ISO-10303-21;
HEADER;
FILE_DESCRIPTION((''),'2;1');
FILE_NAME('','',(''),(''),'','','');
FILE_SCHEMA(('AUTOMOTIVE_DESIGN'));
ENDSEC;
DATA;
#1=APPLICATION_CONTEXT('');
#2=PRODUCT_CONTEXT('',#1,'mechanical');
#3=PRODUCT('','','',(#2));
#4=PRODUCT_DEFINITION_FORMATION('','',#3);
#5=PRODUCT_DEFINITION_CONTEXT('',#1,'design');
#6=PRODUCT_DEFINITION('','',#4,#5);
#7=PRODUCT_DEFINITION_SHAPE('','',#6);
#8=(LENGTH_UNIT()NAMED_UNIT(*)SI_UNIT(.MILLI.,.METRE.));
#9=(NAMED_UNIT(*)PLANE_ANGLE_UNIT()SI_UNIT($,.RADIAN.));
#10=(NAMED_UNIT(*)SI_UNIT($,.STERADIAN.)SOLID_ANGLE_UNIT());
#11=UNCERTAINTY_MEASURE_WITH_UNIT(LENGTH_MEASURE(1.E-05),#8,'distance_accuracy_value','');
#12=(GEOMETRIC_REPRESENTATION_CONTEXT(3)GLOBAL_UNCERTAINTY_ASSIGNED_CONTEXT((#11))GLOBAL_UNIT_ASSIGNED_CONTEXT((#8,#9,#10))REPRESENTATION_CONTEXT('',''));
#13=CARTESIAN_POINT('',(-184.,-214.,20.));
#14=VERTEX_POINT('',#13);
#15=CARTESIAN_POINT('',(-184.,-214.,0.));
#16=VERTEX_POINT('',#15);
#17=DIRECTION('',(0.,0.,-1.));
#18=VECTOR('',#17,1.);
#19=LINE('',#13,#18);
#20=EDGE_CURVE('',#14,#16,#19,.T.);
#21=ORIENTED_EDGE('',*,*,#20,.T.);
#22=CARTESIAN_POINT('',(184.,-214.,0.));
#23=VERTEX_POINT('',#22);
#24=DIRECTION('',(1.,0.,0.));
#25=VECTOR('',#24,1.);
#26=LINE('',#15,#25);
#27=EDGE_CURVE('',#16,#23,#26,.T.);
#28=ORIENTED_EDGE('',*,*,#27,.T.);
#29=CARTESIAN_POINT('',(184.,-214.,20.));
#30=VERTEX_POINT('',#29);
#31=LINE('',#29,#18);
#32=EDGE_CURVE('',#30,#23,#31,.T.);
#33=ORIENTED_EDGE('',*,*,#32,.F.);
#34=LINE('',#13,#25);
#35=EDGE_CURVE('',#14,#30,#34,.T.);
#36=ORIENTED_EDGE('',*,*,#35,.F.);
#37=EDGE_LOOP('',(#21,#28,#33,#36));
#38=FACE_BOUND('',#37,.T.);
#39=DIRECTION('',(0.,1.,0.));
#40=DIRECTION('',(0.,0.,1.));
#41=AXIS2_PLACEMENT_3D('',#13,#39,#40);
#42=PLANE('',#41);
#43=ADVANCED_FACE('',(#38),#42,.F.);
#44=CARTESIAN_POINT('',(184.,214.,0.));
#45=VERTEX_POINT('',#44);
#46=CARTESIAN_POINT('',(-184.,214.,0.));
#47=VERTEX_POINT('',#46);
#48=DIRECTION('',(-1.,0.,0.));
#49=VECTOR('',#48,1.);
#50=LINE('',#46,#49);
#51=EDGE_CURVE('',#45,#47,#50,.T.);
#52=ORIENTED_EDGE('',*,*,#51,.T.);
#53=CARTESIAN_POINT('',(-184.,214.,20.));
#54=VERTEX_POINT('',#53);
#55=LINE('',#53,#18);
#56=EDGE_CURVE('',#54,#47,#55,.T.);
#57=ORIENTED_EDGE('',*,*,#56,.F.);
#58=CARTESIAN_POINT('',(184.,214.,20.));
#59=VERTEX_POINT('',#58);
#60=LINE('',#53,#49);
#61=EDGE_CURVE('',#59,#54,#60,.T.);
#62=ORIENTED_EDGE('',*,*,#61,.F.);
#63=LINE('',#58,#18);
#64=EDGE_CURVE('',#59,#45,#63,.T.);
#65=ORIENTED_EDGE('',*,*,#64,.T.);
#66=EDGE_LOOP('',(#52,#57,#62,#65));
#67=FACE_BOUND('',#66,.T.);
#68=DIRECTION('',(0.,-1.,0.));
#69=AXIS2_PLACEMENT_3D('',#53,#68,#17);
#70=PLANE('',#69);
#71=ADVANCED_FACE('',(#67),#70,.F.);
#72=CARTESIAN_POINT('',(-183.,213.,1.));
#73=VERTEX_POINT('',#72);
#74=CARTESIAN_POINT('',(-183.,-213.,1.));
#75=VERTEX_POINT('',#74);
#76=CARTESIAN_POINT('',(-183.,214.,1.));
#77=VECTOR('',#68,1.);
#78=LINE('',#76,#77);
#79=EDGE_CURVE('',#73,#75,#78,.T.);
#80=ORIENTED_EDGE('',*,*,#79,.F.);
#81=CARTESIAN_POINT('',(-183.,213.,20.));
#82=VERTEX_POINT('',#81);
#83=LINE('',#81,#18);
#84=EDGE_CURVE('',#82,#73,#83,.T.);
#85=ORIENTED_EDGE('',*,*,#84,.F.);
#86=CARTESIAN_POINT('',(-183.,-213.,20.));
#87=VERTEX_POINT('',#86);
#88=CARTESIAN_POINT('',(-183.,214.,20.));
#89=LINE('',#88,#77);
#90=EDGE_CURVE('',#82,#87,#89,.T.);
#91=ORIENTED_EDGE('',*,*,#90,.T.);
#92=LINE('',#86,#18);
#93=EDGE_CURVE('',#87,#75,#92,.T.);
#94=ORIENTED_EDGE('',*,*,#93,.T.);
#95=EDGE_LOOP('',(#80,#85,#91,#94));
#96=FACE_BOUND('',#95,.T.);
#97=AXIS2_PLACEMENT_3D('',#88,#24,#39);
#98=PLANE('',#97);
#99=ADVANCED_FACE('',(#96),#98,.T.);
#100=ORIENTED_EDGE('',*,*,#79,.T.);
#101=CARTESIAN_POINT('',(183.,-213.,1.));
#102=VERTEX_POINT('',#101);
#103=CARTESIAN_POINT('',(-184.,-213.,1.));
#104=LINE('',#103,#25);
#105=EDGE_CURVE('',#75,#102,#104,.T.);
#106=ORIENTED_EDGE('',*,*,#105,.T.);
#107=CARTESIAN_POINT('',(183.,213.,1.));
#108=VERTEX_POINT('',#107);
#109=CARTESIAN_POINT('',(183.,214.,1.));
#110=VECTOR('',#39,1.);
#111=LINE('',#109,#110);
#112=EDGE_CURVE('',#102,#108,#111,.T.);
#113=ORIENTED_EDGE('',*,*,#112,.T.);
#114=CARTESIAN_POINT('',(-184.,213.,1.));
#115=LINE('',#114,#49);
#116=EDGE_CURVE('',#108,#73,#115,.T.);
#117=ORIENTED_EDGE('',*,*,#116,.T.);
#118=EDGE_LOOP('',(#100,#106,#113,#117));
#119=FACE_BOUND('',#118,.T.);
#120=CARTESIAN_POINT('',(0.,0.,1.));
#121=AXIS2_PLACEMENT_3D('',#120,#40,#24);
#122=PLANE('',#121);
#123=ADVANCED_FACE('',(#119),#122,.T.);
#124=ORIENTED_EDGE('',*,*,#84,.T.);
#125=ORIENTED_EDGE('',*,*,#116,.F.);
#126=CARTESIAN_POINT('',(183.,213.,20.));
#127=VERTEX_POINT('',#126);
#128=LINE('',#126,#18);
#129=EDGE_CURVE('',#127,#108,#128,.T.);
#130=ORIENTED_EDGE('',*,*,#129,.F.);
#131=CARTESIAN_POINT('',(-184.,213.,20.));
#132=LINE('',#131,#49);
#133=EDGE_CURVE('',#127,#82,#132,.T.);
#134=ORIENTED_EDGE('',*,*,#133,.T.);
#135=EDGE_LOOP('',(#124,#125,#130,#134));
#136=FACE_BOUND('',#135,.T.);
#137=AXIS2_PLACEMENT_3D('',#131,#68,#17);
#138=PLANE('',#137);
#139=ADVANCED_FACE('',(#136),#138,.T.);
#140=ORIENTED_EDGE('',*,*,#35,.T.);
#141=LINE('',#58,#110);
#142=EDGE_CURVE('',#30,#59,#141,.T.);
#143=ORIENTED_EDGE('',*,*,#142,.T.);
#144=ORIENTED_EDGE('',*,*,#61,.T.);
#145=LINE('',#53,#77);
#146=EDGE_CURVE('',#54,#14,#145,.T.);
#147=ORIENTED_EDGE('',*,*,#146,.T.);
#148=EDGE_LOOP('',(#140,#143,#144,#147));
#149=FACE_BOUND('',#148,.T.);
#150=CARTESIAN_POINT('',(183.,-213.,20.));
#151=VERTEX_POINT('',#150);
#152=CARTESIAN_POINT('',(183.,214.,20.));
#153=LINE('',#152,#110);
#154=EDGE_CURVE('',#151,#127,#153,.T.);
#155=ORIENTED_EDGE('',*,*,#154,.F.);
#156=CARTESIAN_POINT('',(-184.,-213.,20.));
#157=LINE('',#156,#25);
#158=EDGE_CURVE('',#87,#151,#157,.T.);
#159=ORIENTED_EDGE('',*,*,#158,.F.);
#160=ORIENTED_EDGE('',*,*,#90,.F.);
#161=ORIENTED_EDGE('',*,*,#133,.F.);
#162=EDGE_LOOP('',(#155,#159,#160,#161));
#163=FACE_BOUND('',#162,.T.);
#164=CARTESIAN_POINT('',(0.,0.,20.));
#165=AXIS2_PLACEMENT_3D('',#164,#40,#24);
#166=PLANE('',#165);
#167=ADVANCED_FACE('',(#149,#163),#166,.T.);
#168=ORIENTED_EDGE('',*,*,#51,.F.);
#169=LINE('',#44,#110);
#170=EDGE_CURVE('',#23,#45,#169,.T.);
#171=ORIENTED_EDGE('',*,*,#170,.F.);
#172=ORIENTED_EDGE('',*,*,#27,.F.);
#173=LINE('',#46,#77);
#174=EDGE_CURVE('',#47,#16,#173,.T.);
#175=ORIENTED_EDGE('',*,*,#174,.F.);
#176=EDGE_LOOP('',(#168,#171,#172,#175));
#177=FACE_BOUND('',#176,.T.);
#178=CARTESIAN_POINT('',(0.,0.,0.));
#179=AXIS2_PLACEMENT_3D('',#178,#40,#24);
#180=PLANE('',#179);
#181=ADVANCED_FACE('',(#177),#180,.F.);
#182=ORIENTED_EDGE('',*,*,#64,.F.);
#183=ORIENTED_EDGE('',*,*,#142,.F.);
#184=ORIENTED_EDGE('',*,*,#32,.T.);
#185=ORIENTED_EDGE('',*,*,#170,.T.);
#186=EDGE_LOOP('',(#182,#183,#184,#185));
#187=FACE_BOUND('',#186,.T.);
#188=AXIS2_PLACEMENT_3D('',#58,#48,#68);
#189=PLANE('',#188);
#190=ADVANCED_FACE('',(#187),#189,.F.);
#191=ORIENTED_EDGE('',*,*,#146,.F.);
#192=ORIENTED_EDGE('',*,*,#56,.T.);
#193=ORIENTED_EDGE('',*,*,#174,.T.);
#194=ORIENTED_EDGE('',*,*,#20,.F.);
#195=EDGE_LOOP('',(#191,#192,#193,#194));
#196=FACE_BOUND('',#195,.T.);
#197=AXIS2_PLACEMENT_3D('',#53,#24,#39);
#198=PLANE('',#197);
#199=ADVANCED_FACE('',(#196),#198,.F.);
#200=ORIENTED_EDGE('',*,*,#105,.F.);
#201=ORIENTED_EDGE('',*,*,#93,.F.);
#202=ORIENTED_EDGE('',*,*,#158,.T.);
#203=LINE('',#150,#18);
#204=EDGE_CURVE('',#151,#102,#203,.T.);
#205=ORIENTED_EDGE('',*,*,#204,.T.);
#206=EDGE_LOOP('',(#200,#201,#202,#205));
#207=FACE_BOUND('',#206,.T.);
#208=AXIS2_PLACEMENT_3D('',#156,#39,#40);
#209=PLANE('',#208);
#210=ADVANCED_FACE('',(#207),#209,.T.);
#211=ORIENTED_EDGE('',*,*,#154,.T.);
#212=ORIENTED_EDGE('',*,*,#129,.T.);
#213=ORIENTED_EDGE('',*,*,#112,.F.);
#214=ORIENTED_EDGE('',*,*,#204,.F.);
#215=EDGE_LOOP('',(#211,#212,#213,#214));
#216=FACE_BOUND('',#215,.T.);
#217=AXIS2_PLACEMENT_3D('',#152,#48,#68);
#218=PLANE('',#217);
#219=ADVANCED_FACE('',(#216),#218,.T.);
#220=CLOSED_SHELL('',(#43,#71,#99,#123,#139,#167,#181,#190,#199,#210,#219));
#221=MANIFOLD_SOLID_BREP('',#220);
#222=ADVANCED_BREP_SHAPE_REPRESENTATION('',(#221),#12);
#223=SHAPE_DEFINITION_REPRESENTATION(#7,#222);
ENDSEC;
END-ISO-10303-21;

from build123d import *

# Parameters (mm, degrees)
SKETCH_1_W      = 368
SKETCH_1_H      = 428
EXTRUDE_1_DEPTH = 20
SHELL_1_T       = -1


with BuildPart() as part:
    # 草图1 → 凸台-拉伸1 (new body)
    with BuildSketch(Plane.XY):
        Rectangle(SKETCH_1_W, SKETCH_1_H)
    extrude(amount=EXTRUDE_1_DEPTH)

    # 抽壳1
    shell_1_openings = [part.faces().sort_by_distance(p)[0] for p in [
        (0, 0, 20),
    ]]
    offset(amount=SHELL_1_T, openings=shell_1_openings, kind=Kind.INTERSECTION)


solid = part.part
